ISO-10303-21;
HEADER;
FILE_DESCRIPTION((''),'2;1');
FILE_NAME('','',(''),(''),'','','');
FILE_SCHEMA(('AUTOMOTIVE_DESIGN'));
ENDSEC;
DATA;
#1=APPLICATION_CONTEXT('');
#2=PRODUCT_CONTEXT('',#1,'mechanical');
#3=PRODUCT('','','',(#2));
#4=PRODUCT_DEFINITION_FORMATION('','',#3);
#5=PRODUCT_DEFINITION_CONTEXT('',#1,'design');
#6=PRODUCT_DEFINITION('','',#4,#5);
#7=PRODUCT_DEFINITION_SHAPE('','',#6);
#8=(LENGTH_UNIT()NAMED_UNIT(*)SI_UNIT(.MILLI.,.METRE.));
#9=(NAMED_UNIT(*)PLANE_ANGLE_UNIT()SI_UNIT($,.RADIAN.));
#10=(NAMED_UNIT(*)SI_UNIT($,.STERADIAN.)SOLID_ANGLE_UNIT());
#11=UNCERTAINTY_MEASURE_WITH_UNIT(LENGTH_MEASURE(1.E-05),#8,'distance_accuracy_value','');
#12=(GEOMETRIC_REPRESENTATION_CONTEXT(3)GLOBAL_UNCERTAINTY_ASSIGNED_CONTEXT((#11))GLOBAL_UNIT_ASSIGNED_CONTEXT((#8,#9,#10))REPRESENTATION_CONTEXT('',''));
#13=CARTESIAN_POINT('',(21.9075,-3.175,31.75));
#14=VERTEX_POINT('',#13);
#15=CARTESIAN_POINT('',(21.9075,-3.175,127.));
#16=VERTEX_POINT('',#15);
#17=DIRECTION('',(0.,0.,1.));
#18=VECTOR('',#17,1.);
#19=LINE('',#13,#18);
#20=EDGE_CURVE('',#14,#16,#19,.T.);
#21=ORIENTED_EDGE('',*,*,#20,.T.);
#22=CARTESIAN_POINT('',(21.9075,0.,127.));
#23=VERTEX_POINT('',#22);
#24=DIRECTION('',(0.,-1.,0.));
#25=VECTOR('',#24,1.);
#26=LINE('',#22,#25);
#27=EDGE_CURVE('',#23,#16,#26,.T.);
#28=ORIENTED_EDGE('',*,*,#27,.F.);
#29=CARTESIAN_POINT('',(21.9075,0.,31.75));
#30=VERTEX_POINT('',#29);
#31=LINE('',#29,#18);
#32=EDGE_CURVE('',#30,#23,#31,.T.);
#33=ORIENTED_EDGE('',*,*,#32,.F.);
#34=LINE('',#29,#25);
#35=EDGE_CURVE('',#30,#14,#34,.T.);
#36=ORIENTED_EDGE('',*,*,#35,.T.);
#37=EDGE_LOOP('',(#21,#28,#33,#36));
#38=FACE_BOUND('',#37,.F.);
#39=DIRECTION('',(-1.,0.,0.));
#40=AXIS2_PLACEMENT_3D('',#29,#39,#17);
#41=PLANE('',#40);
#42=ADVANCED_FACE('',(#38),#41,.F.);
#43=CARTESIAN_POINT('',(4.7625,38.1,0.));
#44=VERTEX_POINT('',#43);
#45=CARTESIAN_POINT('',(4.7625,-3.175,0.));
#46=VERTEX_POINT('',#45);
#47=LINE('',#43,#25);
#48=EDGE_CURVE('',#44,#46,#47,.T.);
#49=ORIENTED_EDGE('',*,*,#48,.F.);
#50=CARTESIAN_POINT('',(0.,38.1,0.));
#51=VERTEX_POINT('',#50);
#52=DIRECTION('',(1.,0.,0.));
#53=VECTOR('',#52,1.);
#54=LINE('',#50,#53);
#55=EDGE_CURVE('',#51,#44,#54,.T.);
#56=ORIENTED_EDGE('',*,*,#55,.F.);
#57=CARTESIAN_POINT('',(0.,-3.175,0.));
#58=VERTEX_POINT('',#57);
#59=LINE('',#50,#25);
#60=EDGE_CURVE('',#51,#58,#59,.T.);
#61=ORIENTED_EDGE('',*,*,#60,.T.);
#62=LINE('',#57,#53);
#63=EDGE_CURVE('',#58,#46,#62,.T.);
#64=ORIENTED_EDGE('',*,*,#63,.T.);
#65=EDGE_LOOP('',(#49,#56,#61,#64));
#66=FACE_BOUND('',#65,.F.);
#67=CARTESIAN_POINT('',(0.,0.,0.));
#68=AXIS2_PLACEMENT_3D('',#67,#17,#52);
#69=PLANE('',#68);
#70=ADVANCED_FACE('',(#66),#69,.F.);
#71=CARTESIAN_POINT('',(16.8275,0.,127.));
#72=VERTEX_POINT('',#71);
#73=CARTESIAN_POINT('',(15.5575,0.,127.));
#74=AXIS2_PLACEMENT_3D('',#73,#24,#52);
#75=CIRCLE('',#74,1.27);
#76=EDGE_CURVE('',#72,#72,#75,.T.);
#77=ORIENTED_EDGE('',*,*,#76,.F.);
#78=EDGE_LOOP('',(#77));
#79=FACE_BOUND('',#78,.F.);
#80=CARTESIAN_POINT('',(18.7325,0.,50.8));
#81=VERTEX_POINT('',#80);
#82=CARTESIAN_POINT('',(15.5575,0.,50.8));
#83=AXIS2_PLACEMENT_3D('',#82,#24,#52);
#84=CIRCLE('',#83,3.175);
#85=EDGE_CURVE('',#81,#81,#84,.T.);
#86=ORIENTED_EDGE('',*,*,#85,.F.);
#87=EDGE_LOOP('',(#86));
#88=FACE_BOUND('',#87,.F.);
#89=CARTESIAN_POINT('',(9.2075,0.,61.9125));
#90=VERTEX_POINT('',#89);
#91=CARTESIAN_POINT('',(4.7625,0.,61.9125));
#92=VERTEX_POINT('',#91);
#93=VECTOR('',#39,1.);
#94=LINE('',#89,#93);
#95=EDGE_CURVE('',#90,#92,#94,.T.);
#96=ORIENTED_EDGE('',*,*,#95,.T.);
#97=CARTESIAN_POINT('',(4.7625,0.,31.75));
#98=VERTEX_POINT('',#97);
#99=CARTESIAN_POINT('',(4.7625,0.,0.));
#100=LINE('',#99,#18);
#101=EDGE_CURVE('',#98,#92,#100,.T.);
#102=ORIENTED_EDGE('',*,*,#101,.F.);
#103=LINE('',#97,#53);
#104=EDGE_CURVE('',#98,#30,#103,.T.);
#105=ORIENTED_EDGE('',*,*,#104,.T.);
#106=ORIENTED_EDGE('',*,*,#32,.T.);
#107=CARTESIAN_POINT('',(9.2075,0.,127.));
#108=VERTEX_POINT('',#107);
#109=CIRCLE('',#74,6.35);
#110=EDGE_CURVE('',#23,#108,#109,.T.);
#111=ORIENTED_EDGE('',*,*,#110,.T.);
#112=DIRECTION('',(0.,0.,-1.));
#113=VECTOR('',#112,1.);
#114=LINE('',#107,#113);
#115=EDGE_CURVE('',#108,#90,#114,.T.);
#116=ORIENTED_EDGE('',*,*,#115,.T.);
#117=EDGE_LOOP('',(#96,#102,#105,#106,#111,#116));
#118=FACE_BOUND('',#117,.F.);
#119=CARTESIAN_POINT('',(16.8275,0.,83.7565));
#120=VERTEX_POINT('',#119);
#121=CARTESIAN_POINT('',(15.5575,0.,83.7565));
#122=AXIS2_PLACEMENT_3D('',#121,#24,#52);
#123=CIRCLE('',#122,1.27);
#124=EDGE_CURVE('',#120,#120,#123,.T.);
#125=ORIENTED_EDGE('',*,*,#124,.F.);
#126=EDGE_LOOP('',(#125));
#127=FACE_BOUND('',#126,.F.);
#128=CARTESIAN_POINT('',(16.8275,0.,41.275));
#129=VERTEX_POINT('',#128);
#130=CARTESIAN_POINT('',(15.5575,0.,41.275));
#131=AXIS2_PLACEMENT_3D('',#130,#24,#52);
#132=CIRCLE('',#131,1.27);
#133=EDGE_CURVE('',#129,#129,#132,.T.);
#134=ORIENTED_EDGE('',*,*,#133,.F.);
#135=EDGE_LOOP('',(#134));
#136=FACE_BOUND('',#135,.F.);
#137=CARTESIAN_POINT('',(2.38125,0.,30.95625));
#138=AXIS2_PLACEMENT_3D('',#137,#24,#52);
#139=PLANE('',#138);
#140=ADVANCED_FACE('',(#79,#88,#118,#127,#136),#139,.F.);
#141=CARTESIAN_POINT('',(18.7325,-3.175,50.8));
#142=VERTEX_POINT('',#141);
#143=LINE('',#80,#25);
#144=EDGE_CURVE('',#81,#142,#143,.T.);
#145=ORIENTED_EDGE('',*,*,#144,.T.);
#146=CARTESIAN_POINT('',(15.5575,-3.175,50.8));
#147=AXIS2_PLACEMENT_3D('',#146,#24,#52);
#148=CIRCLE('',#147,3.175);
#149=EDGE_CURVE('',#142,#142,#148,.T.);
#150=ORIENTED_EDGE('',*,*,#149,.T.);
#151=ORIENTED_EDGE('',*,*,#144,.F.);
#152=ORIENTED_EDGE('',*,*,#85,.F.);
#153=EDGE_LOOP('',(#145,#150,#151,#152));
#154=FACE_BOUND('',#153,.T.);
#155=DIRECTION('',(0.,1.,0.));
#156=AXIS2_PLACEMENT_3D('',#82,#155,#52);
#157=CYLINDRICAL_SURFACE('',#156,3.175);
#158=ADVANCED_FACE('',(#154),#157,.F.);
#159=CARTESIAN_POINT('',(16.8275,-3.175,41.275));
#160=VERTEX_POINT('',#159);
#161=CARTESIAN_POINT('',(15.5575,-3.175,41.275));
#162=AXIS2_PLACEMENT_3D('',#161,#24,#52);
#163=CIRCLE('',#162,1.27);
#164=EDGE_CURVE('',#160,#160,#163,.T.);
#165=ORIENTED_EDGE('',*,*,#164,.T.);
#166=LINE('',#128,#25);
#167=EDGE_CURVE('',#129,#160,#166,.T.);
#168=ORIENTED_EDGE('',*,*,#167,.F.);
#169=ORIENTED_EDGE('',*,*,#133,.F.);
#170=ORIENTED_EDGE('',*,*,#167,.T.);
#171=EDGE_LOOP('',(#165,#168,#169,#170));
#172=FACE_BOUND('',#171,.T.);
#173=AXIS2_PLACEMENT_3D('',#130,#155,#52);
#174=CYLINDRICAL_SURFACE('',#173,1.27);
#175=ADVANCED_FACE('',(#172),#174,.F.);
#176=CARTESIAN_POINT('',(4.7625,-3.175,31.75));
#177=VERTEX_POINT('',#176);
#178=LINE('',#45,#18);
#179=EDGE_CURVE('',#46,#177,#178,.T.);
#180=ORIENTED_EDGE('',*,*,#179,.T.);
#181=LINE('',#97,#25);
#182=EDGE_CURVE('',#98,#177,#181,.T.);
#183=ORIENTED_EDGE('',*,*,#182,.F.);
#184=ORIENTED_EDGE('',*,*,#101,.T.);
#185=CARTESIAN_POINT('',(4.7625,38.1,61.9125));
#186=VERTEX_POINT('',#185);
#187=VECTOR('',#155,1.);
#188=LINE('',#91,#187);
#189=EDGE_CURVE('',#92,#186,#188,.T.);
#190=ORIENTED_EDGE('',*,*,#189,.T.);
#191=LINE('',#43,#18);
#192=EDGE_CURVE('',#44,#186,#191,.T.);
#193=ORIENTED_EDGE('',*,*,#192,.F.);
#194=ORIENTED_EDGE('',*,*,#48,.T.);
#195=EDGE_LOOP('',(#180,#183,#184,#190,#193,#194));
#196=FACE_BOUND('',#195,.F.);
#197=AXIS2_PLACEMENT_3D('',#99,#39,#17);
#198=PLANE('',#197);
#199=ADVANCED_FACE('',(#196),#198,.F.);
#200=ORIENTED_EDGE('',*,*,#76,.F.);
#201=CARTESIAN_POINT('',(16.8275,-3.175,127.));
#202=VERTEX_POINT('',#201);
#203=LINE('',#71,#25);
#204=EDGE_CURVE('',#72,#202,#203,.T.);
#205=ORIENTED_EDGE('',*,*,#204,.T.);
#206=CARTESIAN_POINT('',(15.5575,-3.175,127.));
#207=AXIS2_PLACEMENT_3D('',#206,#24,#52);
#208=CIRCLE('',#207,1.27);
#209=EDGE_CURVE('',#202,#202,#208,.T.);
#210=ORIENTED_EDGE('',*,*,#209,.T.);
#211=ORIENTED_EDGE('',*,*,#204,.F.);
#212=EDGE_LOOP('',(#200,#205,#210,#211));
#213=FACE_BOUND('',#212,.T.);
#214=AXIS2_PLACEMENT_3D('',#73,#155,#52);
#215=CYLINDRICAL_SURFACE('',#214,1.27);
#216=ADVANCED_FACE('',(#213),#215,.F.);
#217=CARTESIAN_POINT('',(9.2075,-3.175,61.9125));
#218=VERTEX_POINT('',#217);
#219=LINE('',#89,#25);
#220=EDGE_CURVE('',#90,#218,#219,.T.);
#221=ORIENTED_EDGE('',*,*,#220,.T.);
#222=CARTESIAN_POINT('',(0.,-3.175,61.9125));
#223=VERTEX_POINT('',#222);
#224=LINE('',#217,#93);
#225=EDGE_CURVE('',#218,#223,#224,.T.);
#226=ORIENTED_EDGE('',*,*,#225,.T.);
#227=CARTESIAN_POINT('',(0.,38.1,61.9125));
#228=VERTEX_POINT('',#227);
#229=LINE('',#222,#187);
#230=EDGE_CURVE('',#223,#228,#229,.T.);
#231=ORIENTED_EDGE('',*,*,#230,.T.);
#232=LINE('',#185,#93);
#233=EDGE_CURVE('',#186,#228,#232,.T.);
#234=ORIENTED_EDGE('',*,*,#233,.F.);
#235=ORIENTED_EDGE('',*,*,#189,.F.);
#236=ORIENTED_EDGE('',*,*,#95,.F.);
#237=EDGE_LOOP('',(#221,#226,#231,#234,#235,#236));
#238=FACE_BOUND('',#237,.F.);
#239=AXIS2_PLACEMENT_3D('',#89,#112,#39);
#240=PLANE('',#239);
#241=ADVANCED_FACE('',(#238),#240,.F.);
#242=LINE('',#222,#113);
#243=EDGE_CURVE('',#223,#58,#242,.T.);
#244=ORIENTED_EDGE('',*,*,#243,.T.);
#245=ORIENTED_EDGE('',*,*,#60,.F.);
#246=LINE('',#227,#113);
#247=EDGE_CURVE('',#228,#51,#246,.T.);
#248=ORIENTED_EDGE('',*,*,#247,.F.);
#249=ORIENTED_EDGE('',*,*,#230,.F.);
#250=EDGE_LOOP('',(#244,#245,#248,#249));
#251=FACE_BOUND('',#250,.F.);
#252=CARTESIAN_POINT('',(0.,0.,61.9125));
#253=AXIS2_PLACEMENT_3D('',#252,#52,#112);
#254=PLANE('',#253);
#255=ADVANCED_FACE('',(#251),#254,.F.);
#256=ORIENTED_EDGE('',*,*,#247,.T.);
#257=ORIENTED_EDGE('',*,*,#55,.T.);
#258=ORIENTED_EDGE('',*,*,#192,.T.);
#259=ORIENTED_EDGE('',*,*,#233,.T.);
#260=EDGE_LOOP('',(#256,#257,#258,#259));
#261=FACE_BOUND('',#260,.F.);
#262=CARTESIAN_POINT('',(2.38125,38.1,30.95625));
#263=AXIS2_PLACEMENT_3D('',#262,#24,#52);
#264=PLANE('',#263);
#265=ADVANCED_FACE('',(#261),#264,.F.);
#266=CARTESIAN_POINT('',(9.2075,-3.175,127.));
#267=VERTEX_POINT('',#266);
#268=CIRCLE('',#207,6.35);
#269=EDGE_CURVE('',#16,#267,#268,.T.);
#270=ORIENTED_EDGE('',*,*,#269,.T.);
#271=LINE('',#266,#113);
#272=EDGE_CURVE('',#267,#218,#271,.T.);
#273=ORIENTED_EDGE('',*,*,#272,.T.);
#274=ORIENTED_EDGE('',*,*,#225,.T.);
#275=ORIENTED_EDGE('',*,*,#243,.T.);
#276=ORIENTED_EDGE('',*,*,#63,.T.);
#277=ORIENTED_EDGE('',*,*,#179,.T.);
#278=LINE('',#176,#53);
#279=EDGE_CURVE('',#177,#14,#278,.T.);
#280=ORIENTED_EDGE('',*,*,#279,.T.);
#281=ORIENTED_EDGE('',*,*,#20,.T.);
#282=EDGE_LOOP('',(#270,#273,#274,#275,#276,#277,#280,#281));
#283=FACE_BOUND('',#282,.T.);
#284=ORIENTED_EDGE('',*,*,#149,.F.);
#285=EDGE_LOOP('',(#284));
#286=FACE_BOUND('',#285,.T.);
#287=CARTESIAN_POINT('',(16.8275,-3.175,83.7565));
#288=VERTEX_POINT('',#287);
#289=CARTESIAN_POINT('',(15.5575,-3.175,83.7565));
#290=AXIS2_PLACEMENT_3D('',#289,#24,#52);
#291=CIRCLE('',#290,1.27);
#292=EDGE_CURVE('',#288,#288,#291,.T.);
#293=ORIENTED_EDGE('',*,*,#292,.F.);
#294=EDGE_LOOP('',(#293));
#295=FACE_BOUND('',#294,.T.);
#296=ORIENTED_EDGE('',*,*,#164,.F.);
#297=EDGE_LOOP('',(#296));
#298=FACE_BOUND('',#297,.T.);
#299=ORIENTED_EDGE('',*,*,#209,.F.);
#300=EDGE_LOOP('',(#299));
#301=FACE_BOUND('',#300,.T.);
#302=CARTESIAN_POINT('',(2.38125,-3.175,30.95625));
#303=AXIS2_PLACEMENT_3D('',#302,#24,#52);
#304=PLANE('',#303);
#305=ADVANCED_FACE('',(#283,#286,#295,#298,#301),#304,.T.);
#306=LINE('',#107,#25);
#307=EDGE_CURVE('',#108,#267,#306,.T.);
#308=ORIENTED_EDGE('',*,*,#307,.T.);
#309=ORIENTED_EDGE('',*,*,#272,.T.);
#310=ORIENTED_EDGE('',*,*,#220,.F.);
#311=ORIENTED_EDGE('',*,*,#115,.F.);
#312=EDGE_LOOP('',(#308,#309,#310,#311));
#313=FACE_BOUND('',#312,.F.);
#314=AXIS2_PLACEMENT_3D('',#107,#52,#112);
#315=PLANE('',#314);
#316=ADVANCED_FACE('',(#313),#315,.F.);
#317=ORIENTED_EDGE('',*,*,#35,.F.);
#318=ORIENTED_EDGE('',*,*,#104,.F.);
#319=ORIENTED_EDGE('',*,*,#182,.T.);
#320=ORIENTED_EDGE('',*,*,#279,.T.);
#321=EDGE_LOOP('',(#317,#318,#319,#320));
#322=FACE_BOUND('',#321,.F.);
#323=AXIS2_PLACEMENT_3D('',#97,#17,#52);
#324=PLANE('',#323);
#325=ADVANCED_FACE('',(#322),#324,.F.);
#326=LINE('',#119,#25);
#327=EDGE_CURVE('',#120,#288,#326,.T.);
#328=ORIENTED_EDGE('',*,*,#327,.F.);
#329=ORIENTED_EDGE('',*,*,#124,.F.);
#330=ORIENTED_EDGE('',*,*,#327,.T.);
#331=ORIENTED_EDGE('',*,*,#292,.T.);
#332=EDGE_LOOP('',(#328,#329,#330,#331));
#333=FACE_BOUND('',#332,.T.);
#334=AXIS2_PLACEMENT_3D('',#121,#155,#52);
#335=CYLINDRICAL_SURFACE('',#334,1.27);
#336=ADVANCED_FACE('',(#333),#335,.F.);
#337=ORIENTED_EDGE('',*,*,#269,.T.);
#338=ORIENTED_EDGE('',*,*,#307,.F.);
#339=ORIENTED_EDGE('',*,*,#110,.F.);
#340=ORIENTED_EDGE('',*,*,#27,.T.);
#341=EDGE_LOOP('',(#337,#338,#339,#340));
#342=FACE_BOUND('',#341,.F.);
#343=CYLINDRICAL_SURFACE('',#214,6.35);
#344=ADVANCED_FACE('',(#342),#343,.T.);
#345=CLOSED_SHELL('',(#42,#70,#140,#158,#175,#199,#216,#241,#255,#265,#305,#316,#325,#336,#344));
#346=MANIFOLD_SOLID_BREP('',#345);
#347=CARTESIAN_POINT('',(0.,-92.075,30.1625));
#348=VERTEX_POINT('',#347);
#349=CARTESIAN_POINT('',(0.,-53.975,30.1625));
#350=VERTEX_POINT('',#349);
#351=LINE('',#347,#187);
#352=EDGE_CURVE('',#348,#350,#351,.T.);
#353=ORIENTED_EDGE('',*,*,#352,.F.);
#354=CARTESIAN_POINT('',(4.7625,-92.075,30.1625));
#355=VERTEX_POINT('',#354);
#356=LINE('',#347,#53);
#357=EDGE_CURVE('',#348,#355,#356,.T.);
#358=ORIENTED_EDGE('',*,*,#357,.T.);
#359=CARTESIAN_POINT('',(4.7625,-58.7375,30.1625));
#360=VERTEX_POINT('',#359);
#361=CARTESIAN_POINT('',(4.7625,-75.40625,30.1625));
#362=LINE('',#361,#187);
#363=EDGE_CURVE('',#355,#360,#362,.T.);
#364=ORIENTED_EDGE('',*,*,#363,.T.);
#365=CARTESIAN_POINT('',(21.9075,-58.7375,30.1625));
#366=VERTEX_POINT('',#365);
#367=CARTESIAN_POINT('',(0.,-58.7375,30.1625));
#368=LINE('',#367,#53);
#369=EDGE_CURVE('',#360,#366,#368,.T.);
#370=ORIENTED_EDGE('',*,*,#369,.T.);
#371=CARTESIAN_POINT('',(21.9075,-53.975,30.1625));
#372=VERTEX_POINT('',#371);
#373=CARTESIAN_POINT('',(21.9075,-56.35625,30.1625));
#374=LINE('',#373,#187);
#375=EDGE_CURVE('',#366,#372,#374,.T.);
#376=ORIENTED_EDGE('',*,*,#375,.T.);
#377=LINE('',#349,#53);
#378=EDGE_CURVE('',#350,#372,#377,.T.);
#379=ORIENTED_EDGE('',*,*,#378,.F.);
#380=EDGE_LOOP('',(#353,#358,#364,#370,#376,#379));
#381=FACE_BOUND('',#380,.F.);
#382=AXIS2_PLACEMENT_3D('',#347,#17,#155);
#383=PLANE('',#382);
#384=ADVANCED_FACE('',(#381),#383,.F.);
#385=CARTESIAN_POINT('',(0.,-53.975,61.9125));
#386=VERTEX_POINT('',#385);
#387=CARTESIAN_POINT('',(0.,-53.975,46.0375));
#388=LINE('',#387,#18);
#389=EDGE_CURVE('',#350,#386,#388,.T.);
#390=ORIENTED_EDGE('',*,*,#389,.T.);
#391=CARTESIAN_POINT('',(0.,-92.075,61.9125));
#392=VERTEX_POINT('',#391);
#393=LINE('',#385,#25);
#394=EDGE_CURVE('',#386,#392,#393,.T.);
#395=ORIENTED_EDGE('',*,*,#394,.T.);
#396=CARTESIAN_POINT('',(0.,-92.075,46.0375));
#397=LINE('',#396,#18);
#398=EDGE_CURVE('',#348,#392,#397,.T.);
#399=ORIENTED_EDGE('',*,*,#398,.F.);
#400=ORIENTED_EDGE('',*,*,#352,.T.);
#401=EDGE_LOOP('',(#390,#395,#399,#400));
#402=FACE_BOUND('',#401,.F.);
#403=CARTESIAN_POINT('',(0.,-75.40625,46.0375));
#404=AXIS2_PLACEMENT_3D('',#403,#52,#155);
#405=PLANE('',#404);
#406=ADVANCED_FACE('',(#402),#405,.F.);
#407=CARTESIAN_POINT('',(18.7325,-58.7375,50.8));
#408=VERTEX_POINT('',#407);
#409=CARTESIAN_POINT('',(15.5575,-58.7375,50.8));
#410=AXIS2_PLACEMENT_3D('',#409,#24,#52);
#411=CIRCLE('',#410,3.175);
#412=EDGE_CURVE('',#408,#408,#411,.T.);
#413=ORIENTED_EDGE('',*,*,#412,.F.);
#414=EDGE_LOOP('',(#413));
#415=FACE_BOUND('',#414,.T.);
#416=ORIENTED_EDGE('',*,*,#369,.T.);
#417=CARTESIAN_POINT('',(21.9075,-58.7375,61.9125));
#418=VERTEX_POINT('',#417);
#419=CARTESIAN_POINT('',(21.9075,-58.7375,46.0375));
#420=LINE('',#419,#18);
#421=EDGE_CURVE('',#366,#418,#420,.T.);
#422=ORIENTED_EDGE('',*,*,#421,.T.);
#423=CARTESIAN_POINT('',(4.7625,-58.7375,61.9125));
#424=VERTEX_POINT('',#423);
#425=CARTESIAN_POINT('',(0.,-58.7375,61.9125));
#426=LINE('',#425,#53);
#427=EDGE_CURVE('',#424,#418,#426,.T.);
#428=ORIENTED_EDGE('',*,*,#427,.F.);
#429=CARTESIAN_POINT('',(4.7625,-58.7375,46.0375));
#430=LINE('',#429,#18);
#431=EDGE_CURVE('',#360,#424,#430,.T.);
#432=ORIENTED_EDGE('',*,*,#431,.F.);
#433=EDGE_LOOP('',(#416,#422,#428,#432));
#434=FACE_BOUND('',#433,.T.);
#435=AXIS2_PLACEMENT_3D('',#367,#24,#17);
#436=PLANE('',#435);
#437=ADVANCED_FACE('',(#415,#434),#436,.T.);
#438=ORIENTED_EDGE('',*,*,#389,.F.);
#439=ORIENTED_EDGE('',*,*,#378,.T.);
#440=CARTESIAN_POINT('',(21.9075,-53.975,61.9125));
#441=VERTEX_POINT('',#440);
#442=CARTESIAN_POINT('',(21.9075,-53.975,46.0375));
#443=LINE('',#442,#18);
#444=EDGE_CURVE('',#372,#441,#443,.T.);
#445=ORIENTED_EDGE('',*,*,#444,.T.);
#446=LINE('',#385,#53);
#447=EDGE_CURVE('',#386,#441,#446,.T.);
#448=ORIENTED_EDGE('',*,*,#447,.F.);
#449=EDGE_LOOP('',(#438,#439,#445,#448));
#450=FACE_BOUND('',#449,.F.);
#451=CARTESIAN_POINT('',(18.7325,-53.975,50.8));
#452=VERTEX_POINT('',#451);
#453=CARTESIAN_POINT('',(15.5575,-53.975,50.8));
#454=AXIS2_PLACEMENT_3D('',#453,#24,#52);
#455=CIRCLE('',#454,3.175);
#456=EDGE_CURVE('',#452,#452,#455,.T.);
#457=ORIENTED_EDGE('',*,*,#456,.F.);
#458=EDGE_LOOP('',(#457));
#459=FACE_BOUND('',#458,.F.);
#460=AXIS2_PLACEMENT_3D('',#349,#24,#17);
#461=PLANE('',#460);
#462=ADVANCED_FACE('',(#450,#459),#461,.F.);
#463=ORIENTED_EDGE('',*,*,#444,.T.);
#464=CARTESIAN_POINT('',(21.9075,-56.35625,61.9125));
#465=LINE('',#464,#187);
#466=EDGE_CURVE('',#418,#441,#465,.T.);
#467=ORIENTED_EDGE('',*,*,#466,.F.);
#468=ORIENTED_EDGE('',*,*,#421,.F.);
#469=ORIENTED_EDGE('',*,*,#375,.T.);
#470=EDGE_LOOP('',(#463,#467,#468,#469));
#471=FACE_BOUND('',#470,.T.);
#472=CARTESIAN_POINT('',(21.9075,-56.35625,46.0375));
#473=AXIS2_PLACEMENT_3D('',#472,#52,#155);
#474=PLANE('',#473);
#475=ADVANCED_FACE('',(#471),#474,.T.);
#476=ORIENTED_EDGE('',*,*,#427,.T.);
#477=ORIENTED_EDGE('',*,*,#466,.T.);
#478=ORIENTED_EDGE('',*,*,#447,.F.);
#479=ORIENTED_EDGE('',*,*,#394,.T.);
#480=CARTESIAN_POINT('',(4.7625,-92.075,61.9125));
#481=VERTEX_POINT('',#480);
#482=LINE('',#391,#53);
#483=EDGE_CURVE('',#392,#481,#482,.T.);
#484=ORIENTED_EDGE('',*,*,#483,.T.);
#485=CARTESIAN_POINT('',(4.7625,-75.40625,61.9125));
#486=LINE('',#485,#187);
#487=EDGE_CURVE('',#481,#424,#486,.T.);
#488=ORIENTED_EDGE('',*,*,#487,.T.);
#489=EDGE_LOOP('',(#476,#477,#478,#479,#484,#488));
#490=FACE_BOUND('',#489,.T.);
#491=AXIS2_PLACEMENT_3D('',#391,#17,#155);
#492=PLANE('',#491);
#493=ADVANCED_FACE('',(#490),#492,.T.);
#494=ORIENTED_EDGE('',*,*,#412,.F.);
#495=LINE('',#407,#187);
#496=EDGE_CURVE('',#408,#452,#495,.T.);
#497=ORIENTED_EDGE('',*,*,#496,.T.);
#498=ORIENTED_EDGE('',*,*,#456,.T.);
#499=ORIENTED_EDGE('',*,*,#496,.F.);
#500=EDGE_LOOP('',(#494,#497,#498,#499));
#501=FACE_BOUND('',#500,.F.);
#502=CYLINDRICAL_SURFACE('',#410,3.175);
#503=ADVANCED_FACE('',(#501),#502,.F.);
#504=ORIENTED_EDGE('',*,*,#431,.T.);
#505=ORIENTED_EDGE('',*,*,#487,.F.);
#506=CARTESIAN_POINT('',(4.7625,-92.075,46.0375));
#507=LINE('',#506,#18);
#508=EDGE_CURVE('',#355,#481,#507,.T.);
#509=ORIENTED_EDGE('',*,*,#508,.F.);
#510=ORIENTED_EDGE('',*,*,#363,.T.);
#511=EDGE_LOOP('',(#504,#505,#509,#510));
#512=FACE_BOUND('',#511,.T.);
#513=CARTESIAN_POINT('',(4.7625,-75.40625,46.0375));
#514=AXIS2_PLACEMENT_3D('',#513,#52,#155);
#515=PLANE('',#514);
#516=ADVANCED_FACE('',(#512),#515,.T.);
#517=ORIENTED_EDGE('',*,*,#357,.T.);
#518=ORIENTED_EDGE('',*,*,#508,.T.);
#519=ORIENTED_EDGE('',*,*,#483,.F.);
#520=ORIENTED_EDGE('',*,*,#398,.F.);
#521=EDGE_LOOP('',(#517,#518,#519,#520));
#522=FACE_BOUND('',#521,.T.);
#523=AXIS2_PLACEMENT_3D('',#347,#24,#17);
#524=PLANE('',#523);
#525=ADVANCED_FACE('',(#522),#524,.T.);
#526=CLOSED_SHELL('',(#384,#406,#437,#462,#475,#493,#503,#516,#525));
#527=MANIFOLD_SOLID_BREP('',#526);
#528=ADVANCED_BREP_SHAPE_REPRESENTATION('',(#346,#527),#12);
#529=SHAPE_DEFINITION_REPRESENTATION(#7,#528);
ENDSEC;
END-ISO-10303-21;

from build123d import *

# Parameters (mm, degrees)
F1_DEPTH = 38.1
F0_R     = 1.27
F0_R_2   = 3.175
F2_DEPTH = 3.175
F3_W     = 4.7625
F3_H     = 31.75
F4_DEPTH = 21.9075
F3_W_2   = 33.3375
F5_DEPTH = 4.7625
F6_R     = 3.175
F7_DEPTH = 25.4


with BuildPart() as f1:
    # F0 (on Front) → F1 (new body)
    with BuildSketch(Plane.XZ):
        Polygon((0, 61.9125), (0, 0), (4.7625, 0), (4.7625, 31.75), (4.7625, 61.9125), align=None)
    extrude(amount=-F1_DEPTH)

    # F0 (on Front) → F2 (join)
    with BuildSketch(Plane.XZ):
        Polygon((0, 61.9125), (0, 0), (4.7625, 0), (4.7625, 31.75), (4.7625, 61.9125), align=None)
        with BuildLine():
            Line((4.7625, 61.9125), (4.7625, 31.75))
            Line((4.7625, 31.75), (21.9075, 31.75))
            Line((21.9075, 31.75), (21.9075, 127))
            ThreePointArc((21.9075, 127), (15.5575, 133.35), (9.2075, 127))
            Line((9.2075, 127), (9.2075, 61.9125))
            Line((9.2075, 61.9125), (4.7625, 61.9125))
        make_face()
        with Locations((15.5575, 41.275)):
            Circle(F0_R, mode=Mode.SUBTRACT)
        with Locations((15.5575, 50.8)):
            Circle(F0_R_2, mode=Mode.SUBTRACT)
        with Locations((15.5575, 83.7565)):
            Circle(F0_R, mode=Mode.SUBTRACT)
        with Locations((15.5575, 127)):
            Circle(F0_R, mode=Mode.SUBTRACT)
    extrude(amount=F2_DEPTH)


with BuildPart() as f4:
    # F3 (on Right) → F4 (new body)
    with BuildSketch(Plane.YZ):
        with Locations((-56.35625, 46.0375)):
            Rectangle(F3_W, F3_H)
    extrude(amount=F4_DEPTH)

    # F3 (on Right) → F5 (join)
    with BuildSketch(Plane.YZ):
        with Locations((-75.40625, 46.0375)):
            Rectangle(F3_W_2, F3_H)
    extrude(amount=F5_DEPTH)

    # F6 (on face) → F7 (cut)
    with BuildSketch(Plane.XZ.offset(58.7375)):
        with Locations((15.5575, 50.8)):
            Circle(F6_R)
    extrude(amount=-F7_DEPTH, mode=Mode.SUBTRACT)


solid = Compound([f1.part, f4.part])
